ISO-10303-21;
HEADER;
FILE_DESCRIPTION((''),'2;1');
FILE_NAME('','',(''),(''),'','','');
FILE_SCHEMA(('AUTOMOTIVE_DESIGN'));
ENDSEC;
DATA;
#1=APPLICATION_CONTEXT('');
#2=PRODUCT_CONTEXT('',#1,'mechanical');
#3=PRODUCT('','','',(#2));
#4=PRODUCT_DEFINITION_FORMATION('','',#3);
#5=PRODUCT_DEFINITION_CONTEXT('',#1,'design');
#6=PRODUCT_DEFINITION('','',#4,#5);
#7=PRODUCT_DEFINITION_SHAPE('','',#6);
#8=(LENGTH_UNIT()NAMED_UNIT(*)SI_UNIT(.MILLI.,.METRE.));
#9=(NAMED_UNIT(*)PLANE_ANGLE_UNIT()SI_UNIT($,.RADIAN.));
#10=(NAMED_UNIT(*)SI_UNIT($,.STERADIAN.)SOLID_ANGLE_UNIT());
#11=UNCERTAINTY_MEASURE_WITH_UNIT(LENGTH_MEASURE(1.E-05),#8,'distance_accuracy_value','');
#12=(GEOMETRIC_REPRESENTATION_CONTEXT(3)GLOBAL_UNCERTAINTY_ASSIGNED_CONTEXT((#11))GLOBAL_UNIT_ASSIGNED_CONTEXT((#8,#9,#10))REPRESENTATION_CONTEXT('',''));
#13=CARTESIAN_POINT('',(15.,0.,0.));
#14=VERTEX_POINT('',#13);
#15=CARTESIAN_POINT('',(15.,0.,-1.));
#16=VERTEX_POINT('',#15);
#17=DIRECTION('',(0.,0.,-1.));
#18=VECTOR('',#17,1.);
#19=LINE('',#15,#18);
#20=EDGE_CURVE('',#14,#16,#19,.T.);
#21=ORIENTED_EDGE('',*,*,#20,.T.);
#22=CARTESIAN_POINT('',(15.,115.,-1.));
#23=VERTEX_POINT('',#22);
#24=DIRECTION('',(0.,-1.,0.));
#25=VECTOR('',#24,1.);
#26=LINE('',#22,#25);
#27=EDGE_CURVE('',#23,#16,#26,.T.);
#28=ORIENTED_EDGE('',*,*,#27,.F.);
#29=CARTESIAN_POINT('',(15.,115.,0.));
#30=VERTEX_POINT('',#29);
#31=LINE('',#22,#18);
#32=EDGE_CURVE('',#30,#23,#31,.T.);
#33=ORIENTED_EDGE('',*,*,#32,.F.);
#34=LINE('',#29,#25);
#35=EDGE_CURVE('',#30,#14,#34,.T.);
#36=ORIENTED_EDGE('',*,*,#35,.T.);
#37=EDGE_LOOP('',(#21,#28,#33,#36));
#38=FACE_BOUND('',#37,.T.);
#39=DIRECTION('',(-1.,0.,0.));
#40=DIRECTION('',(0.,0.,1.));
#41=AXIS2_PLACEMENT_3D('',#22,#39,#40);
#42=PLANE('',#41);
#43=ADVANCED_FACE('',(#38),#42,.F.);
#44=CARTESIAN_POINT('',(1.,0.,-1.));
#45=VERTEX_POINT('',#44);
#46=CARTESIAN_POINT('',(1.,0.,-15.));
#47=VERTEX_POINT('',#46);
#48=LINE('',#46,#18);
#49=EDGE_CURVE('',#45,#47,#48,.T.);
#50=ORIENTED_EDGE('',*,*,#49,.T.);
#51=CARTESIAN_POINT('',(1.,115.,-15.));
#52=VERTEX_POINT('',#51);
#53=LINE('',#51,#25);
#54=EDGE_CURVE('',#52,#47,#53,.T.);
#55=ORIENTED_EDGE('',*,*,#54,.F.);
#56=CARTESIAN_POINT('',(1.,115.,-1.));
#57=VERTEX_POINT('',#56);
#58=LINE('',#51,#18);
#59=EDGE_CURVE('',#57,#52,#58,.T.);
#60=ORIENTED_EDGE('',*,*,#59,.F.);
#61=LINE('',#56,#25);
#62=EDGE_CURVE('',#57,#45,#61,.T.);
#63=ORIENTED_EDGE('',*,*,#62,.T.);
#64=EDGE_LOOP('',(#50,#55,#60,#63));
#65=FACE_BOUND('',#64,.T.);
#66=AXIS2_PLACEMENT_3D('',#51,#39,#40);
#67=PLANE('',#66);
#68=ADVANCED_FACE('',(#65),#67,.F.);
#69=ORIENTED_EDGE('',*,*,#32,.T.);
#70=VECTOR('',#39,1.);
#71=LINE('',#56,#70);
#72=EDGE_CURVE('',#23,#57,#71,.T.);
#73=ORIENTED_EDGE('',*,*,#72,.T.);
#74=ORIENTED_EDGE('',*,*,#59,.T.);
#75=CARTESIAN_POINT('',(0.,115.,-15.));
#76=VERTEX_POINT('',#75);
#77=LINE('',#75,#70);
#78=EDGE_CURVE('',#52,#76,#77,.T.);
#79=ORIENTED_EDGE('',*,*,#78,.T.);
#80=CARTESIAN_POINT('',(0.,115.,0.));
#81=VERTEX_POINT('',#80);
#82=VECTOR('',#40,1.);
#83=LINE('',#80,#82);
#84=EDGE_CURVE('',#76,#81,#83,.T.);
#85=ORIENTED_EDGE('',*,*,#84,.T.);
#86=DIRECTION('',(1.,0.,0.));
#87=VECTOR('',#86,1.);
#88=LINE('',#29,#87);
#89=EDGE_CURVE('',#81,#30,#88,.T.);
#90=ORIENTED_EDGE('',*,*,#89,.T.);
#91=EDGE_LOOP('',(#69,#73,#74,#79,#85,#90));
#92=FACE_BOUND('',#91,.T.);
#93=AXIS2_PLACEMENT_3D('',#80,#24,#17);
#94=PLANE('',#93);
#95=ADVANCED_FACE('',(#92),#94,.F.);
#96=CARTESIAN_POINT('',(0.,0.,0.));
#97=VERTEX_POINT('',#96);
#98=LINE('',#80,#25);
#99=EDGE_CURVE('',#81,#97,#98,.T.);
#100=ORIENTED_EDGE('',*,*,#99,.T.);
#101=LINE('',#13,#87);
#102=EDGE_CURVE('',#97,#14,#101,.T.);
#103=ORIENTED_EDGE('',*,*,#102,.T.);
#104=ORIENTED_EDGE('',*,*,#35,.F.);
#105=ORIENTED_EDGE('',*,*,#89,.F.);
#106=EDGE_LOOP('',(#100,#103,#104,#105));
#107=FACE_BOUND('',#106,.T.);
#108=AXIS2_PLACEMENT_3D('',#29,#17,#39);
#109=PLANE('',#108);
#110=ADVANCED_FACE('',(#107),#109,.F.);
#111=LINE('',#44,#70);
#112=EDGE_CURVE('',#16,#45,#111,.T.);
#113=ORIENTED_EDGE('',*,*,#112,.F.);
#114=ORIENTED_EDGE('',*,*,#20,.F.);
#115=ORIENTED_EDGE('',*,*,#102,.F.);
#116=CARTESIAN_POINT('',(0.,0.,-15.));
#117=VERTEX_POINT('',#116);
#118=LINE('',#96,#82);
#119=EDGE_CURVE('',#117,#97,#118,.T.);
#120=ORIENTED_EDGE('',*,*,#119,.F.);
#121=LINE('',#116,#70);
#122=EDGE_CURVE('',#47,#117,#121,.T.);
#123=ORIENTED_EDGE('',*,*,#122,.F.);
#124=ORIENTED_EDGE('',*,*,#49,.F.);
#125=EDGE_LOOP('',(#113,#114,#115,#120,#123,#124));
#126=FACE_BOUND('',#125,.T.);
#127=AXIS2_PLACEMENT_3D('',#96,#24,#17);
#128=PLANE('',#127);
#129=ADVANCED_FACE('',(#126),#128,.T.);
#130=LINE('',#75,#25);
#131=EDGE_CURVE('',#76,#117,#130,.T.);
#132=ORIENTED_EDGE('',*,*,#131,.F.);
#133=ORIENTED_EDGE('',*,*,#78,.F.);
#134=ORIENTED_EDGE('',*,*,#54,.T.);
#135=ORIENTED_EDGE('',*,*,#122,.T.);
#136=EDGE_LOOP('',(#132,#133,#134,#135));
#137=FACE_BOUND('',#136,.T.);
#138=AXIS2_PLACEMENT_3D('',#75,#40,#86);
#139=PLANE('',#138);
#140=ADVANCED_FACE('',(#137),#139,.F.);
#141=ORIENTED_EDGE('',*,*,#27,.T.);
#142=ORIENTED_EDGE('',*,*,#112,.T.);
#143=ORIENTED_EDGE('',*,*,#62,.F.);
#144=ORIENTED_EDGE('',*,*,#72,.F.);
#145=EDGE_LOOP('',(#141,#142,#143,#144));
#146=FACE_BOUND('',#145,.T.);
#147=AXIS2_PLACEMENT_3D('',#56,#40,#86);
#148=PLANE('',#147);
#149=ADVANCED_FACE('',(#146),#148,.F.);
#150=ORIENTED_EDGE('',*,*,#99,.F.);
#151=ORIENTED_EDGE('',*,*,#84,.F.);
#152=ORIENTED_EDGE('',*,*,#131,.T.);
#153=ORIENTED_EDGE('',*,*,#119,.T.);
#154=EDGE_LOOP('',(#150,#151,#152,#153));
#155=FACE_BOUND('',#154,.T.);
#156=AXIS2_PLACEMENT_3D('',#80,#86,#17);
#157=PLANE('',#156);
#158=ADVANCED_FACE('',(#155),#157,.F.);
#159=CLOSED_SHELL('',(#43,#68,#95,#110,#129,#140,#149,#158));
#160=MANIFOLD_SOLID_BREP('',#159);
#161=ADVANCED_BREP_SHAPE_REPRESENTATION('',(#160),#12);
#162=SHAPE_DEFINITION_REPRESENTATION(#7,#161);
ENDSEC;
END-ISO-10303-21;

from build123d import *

# Parameters (mm, degrees)
EXTRUDE_1_DEPTH = 115


with BuildPart() as part:
    # Эскиз1 → Бобышка-Вытянуть1 (new body)
    with BuildSketch(Plane(origin=(0, 0, 0), x_dir=(1, 0, 0), z_dir=(0, 1, 0))):
        Polygon((0, 0), (0, 15), (1, 15), (1, 1), (15, 1), (15, 0), align=None)
    extrude(amount=EXTRUDE_1_DEPTH)


solid = part.part
